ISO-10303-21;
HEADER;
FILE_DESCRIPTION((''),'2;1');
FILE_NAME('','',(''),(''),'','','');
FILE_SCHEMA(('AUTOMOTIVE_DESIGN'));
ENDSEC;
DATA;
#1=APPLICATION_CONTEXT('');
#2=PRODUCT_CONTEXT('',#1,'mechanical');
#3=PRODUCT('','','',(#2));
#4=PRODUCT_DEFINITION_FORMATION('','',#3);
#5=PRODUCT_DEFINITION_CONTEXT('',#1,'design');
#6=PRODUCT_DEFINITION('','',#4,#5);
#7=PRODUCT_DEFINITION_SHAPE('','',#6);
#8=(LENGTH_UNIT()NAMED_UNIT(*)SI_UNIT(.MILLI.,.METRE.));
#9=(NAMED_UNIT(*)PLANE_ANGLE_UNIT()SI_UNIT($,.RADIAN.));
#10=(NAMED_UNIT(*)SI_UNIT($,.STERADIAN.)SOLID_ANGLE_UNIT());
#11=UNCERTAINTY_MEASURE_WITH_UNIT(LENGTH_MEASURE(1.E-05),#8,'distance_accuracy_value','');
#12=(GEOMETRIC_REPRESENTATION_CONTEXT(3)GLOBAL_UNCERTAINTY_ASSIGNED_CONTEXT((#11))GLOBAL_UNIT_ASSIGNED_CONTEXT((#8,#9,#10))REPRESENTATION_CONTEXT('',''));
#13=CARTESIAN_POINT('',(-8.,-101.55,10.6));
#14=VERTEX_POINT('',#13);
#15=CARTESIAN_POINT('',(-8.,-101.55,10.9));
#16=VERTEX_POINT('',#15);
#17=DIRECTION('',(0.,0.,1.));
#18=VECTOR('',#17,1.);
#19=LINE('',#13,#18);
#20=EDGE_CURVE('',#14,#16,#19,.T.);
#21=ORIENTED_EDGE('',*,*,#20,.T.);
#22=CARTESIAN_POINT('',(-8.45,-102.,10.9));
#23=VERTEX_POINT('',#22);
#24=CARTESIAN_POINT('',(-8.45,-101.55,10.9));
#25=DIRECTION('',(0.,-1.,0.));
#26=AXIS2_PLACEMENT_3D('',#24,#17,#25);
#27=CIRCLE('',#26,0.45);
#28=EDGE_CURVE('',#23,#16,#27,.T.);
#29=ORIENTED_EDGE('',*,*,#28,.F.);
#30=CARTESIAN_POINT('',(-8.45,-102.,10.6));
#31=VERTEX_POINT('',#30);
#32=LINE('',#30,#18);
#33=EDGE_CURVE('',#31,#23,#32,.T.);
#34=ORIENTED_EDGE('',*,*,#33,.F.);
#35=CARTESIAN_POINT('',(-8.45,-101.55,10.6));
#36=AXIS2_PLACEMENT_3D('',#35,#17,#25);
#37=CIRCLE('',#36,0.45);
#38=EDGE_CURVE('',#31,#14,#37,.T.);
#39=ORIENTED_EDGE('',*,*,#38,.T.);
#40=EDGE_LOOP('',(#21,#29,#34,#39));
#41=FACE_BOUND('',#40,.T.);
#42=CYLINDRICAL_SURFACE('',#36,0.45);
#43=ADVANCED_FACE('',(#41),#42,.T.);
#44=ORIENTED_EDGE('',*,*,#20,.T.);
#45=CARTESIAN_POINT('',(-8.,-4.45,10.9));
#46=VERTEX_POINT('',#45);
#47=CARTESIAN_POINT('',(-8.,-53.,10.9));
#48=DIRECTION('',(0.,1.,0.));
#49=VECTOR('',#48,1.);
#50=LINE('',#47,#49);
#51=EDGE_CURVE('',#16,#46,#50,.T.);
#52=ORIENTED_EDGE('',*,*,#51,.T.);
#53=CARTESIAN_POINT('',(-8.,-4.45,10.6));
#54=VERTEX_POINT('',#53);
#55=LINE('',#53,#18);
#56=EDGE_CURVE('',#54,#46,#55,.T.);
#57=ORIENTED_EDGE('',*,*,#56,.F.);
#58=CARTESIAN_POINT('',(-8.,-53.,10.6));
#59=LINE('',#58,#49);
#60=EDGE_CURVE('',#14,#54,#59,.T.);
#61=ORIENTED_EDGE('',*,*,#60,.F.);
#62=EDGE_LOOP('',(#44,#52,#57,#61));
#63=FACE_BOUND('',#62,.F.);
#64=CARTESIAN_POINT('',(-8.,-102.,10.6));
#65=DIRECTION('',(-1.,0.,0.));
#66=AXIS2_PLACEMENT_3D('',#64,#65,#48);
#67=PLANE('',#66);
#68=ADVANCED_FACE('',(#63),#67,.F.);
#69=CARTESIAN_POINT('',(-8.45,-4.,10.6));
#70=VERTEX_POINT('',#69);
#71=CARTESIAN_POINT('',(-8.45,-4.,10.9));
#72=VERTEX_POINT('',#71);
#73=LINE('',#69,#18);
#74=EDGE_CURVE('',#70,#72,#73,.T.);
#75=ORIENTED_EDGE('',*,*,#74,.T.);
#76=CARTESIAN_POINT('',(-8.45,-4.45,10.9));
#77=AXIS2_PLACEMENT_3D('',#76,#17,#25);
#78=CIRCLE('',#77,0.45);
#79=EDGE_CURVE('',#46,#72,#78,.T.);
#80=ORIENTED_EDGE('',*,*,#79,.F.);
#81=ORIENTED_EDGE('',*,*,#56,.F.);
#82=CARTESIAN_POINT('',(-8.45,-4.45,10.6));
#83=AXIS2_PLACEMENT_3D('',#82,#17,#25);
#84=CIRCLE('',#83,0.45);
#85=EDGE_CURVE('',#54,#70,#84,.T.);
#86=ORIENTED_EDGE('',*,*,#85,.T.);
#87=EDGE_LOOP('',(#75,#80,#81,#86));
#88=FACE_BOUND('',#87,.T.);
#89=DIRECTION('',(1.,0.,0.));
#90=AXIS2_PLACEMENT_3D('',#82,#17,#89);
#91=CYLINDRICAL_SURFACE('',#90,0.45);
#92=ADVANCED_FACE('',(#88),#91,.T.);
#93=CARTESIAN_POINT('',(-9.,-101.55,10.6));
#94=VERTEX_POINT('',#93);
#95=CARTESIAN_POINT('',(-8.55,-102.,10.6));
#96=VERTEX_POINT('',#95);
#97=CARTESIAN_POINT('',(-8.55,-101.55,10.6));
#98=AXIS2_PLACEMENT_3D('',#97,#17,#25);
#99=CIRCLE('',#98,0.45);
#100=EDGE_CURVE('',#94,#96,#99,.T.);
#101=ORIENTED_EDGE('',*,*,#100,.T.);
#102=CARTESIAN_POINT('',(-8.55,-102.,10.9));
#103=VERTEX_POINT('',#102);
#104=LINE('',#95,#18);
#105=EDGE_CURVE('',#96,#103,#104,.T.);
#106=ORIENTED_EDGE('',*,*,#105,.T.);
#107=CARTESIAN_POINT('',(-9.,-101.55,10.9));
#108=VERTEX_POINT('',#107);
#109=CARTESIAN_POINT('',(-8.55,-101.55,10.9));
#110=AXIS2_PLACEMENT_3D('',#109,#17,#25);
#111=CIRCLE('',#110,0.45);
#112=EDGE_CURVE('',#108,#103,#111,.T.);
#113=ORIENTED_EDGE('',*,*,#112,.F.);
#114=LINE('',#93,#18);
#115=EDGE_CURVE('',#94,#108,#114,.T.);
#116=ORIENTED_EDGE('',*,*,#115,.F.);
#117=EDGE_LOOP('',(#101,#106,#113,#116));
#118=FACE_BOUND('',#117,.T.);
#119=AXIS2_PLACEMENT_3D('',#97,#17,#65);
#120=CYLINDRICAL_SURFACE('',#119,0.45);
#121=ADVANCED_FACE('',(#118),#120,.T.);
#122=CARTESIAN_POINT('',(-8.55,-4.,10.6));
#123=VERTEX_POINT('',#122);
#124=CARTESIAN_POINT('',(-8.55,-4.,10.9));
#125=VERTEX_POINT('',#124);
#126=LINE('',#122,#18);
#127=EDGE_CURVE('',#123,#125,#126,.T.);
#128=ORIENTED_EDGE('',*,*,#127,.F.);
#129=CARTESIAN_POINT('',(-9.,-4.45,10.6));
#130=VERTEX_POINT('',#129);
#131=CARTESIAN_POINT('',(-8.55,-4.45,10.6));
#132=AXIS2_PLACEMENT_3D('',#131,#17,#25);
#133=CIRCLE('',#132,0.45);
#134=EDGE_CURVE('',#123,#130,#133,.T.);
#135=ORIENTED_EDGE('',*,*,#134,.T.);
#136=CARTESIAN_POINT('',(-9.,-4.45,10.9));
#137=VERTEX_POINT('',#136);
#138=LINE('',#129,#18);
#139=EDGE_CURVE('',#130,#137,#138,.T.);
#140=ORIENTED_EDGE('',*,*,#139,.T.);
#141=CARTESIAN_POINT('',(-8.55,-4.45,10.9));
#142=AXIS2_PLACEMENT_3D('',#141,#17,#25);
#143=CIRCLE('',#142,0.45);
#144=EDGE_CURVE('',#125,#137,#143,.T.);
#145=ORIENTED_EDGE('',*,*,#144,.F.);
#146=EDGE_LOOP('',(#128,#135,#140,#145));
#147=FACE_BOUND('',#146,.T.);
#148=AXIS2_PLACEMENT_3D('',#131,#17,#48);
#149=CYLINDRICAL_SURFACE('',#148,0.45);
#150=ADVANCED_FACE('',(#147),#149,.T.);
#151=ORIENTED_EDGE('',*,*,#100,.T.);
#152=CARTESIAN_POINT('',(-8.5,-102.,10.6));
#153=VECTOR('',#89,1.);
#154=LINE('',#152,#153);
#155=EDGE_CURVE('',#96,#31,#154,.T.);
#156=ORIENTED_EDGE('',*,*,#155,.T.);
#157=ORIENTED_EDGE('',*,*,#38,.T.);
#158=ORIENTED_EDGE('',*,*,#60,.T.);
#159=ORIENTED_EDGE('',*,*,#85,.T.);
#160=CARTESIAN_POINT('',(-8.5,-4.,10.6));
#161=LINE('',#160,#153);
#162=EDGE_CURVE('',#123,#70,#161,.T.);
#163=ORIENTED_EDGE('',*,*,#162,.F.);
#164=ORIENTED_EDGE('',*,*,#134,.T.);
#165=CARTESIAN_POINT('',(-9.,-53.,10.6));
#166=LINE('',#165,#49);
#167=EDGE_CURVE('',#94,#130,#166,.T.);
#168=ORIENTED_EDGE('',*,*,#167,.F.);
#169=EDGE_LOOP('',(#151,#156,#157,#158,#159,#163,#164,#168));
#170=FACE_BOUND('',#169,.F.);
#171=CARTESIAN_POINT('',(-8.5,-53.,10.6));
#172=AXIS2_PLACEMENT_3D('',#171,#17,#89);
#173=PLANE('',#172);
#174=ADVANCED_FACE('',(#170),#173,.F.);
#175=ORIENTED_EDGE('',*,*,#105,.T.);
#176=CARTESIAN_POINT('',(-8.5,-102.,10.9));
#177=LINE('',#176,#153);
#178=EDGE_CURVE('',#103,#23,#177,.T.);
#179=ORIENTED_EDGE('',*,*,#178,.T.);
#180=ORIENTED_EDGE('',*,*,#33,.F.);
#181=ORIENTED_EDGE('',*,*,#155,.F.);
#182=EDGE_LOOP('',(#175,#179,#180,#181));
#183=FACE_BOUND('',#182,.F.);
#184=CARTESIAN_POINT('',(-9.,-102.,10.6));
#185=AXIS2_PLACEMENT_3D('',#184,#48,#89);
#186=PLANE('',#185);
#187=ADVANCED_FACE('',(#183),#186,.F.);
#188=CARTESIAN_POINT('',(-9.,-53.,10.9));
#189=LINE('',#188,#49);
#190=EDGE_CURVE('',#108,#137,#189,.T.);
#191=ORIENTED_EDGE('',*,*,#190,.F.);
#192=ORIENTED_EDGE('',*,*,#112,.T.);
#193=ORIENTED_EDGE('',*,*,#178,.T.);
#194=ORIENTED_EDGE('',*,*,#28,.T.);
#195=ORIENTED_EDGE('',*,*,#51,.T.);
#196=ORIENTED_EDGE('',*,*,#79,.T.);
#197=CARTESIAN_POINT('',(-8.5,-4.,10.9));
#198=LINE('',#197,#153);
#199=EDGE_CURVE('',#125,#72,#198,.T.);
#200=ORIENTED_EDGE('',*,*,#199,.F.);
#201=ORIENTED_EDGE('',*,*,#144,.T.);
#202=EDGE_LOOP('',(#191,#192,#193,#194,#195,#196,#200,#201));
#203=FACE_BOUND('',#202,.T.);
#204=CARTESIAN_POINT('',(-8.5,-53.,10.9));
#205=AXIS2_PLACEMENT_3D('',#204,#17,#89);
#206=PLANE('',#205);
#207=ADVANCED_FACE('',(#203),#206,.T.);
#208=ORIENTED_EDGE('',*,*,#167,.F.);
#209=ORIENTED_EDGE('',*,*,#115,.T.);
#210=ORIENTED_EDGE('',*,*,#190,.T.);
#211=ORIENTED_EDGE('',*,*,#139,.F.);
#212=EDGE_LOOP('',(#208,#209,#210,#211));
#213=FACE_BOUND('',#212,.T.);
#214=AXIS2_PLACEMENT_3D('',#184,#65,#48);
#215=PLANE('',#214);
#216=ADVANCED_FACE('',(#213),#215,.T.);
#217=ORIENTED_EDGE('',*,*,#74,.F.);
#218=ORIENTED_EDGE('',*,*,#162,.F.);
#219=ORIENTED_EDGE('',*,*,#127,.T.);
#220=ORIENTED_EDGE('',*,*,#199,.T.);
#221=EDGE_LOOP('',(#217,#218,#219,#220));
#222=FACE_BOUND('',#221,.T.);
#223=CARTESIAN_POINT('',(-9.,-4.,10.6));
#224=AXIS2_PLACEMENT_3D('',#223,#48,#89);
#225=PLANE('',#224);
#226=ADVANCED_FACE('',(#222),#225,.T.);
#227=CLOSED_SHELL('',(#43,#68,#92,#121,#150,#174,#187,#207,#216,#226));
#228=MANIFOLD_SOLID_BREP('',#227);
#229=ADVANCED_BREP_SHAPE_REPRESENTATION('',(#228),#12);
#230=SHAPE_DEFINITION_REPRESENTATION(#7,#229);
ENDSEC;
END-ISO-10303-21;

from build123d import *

# Parameters (mm, degrees)
BOX005_W     = 1
BOX005_H     = 98
BOX005_DEPTH = 0.3
FILLET005_R  = 0.45
FILLET006_R  = 0.45
FILLET011_R  = 0.45
FILLET012_R  = 0.45


with BuildPart() as part:
    # Box005 → Box005 (new body)
    with BuildSketch(Plane(origin=(-9, -102, 10.6), x_dir=(1, 0, 0), z_dir=(0, 0, 1))):
        with Locations((0.5, 49)):
            Rectangle(BOX005_W, BOX005_H)
    extrude(amount=BOX005_DEPTH)

    # Fillet005
    fillet005_edges = [part.edges().sort_by_distance(p)[0] for p in [
        (-9, -102, 10.75),
    ]]
    fillet(fillet005_edges, radius=FILLET005_R)

    # Fillet006
    fillet006_edges = [part.edges().sort_by_distance(p)[0] for p in [
        (-8, -102, 10.75),
    ]]
    fillet(fillet006_edges, radius=FILLET006_R)

    # Fillet011
    fillet011_edges = [part.edges().sort_by_distance(p)[0] for p in [
        (-8, -4, 10.75),
    ]]
    fillet(fillet011_edges, radius=FILLET011_R)

    # Fillet012
    fillet012_edges = [part.edges().sort_by_distance(p)[0] for p in [
        (-9, -4, 10.75),
    ]]
    fillet(fillet012_edges, radius=FILLET012_R)


solid = part.part
